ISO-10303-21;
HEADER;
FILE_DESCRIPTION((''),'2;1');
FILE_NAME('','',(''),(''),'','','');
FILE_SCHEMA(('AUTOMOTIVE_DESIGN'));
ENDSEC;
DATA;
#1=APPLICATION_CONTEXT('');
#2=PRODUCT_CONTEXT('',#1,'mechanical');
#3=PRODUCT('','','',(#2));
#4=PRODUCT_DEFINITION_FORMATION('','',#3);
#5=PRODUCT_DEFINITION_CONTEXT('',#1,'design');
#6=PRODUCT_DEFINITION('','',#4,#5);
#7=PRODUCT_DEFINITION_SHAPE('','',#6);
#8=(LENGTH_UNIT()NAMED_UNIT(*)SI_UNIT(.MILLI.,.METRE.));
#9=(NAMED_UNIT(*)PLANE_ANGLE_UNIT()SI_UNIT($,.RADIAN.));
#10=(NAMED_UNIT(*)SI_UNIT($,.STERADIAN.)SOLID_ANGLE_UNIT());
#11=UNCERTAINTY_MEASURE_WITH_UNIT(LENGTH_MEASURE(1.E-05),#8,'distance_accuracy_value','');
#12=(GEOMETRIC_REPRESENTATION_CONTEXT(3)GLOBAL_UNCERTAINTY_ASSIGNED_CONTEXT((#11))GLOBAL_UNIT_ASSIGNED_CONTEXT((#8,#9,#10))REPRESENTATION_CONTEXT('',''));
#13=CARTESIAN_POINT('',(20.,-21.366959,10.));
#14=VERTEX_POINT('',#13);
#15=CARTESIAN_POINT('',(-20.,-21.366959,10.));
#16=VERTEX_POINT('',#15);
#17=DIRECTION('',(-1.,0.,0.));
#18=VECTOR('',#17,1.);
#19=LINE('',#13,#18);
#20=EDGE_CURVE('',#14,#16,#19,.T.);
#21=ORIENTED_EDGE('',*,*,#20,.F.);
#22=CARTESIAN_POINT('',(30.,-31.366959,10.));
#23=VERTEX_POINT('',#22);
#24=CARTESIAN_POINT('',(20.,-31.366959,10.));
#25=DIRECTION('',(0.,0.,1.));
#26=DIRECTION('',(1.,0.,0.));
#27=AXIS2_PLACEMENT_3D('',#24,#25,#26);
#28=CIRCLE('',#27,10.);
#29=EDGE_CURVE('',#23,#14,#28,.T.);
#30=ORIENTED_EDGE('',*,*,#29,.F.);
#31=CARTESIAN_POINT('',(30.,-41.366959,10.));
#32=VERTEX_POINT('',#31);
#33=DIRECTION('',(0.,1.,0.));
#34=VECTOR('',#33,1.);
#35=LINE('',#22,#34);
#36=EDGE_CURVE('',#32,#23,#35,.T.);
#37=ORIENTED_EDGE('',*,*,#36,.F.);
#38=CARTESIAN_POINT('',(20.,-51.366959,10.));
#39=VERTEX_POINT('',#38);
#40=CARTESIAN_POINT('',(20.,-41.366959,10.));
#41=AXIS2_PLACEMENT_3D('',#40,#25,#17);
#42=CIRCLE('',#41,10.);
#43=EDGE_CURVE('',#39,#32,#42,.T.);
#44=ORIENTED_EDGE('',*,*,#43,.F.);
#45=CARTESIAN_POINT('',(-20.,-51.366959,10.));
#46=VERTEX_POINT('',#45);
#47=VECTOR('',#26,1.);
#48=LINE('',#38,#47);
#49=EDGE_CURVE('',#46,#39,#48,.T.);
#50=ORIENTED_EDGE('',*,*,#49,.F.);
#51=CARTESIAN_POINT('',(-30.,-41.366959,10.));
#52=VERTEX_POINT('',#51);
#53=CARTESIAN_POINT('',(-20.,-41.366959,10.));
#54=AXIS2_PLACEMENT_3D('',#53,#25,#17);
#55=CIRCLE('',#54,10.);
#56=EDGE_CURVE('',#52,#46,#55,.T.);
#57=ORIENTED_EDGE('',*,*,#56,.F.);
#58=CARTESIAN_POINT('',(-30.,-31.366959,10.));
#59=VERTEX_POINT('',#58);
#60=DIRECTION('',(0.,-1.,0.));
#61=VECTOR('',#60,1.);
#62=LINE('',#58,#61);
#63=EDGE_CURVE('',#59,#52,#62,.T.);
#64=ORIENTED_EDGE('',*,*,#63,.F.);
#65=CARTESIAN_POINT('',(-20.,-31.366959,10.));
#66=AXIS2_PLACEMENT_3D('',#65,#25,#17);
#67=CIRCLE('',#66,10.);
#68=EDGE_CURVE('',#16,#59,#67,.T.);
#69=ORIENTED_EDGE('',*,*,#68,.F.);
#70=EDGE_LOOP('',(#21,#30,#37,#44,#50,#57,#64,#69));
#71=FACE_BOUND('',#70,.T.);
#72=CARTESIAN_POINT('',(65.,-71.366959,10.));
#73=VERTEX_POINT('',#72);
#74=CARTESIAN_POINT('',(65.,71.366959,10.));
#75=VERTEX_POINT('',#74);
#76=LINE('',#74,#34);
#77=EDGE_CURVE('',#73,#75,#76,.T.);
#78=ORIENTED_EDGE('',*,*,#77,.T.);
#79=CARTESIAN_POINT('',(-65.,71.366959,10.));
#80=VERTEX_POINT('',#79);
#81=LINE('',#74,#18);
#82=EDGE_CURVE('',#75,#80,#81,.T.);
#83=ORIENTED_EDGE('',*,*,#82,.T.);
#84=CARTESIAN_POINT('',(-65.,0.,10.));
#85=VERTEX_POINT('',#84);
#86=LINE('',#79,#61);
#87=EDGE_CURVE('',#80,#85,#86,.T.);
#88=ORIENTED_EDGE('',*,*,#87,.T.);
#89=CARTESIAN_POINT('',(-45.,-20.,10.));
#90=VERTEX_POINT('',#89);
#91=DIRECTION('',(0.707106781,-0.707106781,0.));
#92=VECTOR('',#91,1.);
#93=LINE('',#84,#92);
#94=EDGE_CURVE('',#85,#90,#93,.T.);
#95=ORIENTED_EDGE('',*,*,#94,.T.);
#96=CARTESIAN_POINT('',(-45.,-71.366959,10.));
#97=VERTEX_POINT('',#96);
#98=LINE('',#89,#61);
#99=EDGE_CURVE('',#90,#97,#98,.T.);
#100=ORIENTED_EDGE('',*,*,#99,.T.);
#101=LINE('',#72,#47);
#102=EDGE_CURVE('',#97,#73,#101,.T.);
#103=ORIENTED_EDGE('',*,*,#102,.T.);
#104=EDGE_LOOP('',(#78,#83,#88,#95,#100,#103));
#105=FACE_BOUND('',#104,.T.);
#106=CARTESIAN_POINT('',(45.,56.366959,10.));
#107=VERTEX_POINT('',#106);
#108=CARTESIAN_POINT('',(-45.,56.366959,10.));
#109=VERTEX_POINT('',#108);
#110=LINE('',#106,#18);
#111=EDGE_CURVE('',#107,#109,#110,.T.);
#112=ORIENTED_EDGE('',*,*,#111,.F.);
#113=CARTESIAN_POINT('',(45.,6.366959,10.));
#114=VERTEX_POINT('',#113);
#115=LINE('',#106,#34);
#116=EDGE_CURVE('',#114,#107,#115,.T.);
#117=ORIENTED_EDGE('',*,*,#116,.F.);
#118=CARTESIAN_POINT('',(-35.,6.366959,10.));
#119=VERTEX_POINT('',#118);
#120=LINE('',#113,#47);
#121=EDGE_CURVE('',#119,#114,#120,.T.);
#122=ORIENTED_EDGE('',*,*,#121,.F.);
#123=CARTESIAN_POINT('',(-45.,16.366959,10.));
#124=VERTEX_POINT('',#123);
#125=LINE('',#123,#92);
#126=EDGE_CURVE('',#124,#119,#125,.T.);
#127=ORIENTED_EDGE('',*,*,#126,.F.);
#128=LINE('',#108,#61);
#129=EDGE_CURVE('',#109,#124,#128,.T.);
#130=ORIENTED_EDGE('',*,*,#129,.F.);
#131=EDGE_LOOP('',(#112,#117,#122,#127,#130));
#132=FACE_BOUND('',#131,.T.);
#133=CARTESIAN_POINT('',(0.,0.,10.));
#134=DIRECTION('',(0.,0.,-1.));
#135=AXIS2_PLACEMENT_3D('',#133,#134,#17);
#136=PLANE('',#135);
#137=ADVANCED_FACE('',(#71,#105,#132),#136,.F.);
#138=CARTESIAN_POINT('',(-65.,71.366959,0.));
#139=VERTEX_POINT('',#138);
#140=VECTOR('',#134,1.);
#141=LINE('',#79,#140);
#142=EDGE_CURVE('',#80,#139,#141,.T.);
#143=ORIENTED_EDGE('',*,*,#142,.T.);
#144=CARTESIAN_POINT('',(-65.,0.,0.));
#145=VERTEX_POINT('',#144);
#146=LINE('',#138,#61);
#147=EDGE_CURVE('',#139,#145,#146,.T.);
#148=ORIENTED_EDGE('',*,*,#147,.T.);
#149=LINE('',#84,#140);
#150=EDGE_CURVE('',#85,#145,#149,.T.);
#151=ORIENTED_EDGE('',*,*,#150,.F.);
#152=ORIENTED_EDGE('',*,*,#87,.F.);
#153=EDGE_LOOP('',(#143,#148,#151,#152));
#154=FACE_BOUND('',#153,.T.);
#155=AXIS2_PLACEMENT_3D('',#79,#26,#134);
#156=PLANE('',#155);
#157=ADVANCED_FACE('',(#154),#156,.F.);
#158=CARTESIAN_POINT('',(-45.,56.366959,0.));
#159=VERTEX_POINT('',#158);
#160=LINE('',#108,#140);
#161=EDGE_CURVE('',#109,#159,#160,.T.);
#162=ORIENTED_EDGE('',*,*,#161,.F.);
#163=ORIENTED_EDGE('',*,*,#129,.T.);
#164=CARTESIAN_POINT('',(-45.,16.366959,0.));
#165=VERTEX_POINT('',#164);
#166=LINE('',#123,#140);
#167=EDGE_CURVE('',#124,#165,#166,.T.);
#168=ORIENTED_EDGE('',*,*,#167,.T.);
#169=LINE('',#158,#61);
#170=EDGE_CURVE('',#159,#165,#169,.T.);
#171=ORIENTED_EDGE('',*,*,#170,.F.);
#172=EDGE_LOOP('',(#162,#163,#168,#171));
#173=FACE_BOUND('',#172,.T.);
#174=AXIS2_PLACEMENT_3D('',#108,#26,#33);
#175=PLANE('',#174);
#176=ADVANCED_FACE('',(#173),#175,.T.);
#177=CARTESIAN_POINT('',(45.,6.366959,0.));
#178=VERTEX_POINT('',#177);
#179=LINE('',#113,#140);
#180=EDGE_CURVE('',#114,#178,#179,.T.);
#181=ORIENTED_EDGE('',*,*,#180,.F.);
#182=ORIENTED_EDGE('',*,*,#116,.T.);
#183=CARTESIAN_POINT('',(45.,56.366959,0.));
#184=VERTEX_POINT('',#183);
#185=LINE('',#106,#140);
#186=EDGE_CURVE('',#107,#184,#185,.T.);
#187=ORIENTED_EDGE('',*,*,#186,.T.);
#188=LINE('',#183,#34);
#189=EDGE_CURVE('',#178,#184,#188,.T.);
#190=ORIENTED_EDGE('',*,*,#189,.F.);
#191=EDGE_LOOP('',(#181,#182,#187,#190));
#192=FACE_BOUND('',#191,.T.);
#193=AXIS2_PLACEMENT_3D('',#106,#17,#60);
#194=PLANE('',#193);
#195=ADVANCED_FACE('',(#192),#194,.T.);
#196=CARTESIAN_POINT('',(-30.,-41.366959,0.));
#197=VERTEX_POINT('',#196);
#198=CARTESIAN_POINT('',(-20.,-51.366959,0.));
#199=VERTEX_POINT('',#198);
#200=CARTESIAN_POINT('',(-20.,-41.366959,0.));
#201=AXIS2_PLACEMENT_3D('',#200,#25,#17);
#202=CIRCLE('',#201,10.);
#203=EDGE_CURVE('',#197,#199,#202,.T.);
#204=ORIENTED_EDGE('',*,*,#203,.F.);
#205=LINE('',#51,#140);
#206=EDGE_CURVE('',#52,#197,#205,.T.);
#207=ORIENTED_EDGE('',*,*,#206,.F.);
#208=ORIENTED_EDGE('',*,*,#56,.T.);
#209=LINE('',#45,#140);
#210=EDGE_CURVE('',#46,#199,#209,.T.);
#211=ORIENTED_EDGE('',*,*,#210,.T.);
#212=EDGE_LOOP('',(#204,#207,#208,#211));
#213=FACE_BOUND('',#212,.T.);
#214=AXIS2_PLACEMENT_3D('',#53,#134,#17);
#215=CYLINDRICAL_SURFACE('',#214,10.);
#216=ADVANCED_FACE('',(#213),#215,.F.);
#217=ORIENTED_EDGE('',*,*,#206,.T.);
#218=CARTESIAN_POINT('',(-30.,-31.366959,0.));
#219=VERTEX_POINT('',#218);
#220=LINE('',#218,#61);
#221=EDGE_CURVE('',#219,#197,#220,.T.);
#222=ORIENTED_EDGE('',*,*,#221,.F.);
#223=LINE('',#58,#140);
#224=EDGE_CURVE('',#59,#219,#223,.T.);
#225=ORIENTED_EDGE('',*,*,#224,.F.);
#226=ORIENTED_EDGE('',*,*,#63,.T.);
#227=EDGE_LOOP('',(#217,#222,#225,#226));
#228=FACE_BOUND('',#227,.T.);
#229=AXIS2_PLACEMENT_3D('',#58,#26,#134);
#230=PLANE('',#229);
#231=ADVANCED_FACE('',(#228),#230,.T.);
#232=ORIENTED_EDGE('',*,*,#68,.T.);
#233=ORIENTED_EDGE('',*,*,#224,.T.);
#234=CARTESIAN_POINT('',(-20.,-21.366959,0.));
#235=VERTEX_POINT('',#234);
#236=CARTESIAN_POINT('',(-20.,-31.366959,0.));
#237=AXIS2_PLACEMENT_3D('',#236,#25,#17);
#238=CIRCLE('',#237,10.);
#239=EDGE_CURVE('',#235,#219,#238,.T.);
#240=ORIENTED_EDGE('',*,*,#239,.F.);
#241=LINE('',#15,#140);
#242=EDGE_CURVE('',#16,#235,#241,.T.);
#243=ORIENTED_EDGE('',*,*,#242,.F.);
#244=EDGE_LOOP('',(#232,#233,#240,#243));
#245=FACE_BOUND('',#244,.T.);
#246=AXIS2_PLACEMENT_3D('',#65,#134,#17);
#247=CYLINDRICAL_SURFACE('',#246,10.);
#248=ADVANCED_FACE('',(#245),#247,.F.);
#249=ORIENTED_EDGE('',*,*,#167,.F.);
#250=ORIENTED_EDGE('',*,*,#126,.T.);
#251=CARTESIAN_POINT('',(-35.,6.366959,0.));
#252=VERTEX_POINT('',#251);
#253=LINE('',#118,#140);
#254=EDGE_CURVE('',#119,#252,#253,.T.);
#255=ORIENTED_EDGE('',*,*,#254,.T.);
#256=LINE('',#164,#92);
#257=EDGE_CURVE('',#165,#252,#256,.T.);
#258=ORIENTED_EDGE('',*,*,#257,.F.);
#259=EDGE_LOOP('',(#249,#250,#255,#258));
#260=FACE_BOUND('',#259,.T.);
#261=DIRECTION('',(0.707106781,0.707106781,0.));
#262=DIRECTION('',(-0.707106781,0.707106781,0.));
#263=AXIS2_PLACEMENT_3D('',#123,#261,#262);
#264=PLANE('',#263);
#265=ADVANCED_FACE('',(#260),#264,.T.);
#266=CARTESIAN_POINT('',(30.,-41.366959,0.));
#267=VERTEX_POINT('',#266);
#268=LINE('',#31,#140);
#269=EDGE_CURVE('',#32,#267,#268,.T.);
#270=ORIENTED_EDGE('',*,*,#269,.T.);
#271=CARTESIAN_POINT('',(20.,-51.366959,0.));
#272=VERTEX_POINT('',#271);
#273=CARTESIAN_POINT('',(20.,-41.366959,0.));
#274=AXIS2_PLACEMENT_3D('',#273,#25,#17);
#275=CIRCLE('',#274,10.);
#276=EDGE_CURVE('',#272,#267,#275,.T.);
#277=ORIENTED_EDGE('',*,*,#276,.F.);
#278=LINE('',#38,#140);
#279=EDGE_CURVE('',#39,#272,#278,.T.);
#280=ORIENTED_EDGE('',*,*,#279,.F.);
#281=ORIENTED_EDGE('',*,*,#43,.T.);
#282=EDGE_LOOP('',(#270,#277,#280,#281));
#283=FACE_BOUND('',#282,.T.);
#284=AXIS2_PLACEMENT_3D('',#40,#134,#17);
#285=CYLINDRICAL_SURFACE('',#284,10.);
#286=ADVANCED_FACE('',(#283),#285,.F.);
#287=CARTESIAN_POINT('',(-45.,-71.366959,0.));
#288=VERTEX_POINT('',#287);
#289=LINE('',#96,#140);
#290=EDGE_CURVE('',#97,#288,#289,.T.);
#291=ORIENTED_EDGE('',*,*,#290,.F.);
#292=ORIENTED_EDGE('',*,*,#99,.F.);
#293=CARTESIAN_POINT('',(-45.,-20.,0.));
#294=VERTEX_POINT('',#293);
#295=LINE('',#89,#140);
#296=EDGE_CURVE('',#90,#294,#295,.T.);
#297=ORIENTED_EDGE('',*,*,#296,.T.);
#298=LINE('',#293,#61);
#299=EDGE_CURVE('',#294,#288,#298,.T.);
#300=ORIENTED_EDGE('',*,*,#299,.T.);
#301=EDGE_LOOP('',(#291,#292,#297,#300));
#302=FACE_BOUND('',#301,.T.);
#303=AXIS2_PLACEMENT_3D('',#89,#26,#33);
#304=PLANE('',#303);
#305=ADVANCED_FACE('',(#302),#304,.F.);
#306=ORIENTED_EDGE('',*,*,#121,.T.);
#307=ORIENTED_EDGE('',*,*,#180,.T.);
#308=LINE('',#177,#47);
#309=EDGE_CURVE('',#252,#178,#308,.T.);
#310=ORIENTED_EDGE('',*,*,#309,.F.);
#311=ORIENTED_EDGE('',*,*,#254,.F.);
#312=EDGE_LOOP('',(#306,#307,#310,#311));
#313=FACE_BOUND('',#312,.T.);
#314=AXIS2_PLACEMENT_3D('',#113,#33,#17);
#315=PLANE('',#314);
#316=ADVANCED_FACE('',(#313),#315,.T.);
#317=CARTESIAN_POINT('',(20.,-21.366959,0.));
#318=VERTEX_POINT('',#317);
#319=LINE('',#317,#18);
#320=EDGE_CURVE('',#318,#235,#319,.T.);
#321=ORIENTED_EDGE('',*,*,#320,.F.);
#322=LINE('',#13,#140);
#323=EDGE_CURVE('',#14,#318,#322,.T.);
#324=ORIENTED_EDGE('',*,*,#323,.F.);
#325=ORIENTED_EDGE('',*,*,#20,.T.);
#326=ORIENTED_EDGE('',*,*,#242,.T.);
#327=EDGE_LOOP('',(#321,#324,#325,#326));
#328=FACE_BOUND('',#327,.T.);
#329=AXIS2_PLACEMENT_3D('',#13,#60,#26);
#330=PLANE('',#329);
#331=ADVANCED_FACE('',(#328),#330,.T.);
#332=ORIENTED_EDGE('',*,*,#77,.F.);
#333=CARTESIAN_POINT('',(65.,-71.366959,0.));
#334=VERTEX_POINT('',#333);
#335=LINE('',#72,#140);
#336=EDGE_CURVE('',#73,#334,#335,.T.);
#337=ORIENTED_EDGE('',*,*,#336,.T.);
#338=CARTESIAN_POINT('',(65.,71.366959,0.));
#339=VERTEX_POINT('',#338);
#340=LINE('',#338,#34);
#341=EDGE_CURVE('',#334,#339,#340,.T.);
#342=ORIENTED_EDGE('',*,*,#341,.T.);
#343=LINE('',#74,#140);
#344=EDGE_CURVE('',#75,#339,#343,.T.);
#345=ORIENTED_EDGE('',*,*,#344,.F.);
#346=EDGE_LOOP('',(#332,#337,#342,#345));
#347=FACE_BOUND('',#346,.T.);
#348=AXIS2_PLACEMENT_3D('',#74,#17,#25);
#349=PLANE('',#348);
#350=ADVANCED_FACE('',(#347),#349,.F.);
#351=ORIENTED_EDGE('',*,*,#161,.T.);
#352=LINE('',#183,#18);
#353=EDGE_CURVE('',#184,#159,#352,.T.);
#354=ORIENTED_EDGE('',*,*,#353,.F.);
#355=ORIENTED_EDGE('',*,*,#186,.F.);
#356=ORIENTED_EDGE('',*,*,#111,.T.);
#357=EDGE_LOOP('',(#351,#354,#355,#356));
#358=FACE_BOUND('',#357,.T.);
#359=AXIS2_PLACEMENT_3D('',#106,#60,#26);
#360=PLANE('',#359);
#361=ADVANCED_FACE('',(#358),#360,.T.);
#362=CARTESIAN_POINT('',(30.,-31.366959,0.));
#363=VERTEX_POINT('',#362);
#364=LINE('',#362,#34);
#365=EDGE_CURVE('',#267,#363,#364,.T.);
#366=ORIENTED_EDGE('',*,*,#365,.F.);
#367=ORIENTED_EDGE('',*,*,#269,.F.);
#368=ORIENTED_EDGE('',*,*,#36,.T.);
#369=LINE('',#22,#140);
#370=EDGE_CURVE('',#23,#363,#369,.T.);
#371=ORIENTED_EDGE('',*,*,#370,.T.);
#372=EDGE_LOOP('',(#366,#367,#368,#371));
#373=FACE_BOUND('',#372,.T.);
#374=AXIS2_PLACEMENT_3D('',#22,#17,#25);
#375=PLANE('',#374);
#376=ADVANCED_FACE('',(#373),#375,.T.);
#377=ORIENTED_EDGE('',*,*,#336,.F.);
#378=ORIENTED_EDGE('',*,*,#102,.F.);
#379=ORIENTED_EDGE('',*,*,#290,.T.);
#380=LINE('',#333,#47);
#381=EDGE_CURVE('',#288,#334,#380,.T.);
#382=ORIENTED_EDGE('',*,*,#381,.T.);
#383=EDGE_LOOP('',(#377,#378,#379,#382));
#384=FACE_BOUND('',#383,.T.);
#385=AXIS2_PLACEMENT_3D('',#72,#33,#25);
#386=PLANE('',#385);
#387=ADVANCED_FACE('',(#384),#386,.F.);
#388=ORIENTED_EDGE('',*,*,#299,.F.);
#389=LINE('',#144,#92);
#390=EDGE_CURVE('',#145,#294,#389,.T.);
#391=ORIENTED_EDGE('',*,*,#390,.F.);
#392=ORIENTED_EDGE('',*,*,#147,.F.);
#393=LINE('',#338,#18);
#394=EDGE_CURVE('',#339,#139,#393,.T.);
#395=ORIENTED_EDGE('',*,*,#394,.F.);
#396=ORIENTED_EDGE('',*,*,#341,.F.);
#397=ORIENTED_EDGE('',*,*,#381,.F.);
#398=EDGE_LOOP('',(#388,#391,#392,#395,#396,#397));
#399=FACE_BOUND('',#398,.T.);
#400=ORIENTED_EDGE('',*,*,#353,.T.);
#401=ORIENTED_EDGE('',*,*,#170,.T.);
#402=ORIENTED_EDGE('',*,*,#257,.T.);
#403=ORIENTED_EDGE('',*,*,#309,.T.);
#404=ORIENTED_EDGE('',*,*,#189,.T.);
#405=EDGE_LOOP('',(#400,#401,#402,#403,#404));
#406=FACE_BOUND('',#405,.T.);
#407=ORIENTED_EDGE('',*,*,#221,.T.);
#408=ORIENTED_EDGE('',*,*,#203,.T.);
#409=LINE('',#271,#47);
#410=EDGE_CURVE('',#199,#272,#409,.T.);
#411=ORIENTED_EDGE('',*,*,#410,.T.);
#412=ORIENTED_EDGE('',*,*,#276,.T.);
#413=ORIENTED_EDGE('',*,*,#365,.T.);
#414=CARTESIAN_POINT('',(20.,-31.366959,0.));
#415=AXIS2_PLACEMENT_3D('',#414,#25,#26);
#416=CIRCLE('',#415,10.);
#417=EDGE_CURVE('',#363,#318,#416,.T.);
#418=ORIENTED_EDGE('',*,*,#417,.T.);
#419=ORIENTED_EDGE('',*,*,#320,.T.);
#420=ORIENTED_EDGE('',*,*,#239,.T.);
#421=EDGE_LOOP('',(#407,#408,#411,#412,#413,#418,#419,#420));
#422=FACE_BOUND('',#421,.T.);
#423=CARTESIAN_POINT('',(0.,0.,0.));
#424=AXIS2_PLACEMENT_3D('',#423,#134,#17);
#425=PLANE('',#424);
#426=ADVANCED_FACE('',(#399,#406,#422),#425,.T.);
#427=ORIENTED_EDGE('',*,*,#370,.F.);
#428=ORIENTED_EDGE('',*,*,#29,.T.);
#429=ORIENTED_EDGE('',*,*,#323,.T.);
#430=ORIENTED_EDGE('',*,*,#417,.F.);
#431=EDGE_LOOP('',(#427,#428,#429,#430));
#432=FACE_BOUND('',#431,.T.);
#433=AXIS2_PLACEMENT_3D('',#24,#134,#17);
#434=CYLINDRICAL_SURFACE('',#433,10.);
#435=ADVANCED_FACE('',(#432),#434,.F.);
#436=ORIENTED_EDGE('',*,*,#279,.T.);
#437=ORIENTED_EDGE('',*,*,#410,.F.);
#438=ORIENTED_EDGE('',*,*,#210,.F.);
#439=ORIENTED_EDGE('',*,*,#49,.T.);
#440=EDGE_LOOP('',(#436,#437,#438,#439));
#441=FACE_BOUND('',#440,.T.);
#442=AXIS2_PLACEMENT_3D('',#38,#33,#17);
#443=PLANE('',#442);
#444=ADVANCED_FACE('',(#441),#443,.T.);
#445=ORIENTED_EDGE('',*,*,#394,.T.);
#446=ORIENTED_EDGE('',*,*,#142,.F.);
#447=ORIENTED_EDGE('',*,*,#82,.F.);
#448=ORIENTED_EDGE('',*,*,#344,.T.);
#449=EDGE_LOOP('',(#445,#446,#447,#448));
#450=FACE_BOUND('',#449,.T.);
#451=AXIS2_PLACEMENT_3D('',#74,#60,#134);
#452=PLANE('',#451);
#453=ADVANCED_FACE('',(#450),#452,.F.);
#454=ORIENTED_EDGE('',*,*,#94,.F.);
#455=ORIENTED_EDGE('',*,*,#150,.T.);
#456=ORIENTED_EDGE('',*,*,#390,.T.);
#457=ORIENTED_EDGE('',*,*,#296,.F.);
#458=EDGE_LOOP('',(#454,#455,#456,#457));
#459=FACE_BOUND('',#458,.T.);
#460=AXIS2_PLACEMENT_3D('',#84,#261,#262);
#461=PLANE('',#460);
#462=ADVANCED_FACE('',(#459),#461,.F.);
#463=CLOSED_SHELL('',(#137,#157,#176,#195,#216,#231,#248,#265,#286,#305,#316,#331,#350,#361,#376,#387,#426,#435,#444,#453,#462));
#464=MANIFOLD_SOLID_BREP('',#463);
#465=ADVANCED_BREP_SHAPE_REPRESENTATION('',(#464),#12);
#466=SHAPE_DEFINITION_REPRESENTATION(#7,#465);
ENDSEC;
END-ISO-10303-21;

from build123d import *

# Parameters (mm, degrees)
EXTRUDE_1_DEPTH = 10


with BuildPart() as part:
    # 草图1 → 凸台-拉伸1 (new body)
    with BuildSketch(Plane.XY):
        Polygon((-65, 0), (-45, -20), (-45, -71.366959064), (65, -71.366959064), (65, 71.366959064), (-65, 71.366959064), align=None)
        Polygon((45, 56.366959064), (-45, 56.366959064), (-45, 16.366959064), (-35, 6.366959064), (45, 6.366959064), align=None, mode=Mode.SUBTRACT)
        with BuildLine():
            Line((20, -21.366959064), (-20, -21.366959064))
            ThreePointArc((-20, -21.366959064), (-27.071067812, -24.295891252), (-30, -31.366959064))
            Line((-30, -31.366959064), (-30, -41.366959064))
            ThreePointArc((-30, -41.366959064), (-27.071067812, -48.438026876), (-20, -51.366959064))
            Line((-20, -51.366959064), (20, -51.366959064))
            ThreePointArc((20, -51.366959064), (27.071067812, -48.438026876), (30, -41.366959064))
            Line((30, -41.366959064), (30, -31.366959064))
            ThreePointArc((30, -31.366959064), (27.071067812, -24.295891252), (20, -21.366959064))
        make_face(mode=Mode.SUBTRACT)
    extrude(amount=EXTRUDE_1_DEPTH)


solid = part.part
